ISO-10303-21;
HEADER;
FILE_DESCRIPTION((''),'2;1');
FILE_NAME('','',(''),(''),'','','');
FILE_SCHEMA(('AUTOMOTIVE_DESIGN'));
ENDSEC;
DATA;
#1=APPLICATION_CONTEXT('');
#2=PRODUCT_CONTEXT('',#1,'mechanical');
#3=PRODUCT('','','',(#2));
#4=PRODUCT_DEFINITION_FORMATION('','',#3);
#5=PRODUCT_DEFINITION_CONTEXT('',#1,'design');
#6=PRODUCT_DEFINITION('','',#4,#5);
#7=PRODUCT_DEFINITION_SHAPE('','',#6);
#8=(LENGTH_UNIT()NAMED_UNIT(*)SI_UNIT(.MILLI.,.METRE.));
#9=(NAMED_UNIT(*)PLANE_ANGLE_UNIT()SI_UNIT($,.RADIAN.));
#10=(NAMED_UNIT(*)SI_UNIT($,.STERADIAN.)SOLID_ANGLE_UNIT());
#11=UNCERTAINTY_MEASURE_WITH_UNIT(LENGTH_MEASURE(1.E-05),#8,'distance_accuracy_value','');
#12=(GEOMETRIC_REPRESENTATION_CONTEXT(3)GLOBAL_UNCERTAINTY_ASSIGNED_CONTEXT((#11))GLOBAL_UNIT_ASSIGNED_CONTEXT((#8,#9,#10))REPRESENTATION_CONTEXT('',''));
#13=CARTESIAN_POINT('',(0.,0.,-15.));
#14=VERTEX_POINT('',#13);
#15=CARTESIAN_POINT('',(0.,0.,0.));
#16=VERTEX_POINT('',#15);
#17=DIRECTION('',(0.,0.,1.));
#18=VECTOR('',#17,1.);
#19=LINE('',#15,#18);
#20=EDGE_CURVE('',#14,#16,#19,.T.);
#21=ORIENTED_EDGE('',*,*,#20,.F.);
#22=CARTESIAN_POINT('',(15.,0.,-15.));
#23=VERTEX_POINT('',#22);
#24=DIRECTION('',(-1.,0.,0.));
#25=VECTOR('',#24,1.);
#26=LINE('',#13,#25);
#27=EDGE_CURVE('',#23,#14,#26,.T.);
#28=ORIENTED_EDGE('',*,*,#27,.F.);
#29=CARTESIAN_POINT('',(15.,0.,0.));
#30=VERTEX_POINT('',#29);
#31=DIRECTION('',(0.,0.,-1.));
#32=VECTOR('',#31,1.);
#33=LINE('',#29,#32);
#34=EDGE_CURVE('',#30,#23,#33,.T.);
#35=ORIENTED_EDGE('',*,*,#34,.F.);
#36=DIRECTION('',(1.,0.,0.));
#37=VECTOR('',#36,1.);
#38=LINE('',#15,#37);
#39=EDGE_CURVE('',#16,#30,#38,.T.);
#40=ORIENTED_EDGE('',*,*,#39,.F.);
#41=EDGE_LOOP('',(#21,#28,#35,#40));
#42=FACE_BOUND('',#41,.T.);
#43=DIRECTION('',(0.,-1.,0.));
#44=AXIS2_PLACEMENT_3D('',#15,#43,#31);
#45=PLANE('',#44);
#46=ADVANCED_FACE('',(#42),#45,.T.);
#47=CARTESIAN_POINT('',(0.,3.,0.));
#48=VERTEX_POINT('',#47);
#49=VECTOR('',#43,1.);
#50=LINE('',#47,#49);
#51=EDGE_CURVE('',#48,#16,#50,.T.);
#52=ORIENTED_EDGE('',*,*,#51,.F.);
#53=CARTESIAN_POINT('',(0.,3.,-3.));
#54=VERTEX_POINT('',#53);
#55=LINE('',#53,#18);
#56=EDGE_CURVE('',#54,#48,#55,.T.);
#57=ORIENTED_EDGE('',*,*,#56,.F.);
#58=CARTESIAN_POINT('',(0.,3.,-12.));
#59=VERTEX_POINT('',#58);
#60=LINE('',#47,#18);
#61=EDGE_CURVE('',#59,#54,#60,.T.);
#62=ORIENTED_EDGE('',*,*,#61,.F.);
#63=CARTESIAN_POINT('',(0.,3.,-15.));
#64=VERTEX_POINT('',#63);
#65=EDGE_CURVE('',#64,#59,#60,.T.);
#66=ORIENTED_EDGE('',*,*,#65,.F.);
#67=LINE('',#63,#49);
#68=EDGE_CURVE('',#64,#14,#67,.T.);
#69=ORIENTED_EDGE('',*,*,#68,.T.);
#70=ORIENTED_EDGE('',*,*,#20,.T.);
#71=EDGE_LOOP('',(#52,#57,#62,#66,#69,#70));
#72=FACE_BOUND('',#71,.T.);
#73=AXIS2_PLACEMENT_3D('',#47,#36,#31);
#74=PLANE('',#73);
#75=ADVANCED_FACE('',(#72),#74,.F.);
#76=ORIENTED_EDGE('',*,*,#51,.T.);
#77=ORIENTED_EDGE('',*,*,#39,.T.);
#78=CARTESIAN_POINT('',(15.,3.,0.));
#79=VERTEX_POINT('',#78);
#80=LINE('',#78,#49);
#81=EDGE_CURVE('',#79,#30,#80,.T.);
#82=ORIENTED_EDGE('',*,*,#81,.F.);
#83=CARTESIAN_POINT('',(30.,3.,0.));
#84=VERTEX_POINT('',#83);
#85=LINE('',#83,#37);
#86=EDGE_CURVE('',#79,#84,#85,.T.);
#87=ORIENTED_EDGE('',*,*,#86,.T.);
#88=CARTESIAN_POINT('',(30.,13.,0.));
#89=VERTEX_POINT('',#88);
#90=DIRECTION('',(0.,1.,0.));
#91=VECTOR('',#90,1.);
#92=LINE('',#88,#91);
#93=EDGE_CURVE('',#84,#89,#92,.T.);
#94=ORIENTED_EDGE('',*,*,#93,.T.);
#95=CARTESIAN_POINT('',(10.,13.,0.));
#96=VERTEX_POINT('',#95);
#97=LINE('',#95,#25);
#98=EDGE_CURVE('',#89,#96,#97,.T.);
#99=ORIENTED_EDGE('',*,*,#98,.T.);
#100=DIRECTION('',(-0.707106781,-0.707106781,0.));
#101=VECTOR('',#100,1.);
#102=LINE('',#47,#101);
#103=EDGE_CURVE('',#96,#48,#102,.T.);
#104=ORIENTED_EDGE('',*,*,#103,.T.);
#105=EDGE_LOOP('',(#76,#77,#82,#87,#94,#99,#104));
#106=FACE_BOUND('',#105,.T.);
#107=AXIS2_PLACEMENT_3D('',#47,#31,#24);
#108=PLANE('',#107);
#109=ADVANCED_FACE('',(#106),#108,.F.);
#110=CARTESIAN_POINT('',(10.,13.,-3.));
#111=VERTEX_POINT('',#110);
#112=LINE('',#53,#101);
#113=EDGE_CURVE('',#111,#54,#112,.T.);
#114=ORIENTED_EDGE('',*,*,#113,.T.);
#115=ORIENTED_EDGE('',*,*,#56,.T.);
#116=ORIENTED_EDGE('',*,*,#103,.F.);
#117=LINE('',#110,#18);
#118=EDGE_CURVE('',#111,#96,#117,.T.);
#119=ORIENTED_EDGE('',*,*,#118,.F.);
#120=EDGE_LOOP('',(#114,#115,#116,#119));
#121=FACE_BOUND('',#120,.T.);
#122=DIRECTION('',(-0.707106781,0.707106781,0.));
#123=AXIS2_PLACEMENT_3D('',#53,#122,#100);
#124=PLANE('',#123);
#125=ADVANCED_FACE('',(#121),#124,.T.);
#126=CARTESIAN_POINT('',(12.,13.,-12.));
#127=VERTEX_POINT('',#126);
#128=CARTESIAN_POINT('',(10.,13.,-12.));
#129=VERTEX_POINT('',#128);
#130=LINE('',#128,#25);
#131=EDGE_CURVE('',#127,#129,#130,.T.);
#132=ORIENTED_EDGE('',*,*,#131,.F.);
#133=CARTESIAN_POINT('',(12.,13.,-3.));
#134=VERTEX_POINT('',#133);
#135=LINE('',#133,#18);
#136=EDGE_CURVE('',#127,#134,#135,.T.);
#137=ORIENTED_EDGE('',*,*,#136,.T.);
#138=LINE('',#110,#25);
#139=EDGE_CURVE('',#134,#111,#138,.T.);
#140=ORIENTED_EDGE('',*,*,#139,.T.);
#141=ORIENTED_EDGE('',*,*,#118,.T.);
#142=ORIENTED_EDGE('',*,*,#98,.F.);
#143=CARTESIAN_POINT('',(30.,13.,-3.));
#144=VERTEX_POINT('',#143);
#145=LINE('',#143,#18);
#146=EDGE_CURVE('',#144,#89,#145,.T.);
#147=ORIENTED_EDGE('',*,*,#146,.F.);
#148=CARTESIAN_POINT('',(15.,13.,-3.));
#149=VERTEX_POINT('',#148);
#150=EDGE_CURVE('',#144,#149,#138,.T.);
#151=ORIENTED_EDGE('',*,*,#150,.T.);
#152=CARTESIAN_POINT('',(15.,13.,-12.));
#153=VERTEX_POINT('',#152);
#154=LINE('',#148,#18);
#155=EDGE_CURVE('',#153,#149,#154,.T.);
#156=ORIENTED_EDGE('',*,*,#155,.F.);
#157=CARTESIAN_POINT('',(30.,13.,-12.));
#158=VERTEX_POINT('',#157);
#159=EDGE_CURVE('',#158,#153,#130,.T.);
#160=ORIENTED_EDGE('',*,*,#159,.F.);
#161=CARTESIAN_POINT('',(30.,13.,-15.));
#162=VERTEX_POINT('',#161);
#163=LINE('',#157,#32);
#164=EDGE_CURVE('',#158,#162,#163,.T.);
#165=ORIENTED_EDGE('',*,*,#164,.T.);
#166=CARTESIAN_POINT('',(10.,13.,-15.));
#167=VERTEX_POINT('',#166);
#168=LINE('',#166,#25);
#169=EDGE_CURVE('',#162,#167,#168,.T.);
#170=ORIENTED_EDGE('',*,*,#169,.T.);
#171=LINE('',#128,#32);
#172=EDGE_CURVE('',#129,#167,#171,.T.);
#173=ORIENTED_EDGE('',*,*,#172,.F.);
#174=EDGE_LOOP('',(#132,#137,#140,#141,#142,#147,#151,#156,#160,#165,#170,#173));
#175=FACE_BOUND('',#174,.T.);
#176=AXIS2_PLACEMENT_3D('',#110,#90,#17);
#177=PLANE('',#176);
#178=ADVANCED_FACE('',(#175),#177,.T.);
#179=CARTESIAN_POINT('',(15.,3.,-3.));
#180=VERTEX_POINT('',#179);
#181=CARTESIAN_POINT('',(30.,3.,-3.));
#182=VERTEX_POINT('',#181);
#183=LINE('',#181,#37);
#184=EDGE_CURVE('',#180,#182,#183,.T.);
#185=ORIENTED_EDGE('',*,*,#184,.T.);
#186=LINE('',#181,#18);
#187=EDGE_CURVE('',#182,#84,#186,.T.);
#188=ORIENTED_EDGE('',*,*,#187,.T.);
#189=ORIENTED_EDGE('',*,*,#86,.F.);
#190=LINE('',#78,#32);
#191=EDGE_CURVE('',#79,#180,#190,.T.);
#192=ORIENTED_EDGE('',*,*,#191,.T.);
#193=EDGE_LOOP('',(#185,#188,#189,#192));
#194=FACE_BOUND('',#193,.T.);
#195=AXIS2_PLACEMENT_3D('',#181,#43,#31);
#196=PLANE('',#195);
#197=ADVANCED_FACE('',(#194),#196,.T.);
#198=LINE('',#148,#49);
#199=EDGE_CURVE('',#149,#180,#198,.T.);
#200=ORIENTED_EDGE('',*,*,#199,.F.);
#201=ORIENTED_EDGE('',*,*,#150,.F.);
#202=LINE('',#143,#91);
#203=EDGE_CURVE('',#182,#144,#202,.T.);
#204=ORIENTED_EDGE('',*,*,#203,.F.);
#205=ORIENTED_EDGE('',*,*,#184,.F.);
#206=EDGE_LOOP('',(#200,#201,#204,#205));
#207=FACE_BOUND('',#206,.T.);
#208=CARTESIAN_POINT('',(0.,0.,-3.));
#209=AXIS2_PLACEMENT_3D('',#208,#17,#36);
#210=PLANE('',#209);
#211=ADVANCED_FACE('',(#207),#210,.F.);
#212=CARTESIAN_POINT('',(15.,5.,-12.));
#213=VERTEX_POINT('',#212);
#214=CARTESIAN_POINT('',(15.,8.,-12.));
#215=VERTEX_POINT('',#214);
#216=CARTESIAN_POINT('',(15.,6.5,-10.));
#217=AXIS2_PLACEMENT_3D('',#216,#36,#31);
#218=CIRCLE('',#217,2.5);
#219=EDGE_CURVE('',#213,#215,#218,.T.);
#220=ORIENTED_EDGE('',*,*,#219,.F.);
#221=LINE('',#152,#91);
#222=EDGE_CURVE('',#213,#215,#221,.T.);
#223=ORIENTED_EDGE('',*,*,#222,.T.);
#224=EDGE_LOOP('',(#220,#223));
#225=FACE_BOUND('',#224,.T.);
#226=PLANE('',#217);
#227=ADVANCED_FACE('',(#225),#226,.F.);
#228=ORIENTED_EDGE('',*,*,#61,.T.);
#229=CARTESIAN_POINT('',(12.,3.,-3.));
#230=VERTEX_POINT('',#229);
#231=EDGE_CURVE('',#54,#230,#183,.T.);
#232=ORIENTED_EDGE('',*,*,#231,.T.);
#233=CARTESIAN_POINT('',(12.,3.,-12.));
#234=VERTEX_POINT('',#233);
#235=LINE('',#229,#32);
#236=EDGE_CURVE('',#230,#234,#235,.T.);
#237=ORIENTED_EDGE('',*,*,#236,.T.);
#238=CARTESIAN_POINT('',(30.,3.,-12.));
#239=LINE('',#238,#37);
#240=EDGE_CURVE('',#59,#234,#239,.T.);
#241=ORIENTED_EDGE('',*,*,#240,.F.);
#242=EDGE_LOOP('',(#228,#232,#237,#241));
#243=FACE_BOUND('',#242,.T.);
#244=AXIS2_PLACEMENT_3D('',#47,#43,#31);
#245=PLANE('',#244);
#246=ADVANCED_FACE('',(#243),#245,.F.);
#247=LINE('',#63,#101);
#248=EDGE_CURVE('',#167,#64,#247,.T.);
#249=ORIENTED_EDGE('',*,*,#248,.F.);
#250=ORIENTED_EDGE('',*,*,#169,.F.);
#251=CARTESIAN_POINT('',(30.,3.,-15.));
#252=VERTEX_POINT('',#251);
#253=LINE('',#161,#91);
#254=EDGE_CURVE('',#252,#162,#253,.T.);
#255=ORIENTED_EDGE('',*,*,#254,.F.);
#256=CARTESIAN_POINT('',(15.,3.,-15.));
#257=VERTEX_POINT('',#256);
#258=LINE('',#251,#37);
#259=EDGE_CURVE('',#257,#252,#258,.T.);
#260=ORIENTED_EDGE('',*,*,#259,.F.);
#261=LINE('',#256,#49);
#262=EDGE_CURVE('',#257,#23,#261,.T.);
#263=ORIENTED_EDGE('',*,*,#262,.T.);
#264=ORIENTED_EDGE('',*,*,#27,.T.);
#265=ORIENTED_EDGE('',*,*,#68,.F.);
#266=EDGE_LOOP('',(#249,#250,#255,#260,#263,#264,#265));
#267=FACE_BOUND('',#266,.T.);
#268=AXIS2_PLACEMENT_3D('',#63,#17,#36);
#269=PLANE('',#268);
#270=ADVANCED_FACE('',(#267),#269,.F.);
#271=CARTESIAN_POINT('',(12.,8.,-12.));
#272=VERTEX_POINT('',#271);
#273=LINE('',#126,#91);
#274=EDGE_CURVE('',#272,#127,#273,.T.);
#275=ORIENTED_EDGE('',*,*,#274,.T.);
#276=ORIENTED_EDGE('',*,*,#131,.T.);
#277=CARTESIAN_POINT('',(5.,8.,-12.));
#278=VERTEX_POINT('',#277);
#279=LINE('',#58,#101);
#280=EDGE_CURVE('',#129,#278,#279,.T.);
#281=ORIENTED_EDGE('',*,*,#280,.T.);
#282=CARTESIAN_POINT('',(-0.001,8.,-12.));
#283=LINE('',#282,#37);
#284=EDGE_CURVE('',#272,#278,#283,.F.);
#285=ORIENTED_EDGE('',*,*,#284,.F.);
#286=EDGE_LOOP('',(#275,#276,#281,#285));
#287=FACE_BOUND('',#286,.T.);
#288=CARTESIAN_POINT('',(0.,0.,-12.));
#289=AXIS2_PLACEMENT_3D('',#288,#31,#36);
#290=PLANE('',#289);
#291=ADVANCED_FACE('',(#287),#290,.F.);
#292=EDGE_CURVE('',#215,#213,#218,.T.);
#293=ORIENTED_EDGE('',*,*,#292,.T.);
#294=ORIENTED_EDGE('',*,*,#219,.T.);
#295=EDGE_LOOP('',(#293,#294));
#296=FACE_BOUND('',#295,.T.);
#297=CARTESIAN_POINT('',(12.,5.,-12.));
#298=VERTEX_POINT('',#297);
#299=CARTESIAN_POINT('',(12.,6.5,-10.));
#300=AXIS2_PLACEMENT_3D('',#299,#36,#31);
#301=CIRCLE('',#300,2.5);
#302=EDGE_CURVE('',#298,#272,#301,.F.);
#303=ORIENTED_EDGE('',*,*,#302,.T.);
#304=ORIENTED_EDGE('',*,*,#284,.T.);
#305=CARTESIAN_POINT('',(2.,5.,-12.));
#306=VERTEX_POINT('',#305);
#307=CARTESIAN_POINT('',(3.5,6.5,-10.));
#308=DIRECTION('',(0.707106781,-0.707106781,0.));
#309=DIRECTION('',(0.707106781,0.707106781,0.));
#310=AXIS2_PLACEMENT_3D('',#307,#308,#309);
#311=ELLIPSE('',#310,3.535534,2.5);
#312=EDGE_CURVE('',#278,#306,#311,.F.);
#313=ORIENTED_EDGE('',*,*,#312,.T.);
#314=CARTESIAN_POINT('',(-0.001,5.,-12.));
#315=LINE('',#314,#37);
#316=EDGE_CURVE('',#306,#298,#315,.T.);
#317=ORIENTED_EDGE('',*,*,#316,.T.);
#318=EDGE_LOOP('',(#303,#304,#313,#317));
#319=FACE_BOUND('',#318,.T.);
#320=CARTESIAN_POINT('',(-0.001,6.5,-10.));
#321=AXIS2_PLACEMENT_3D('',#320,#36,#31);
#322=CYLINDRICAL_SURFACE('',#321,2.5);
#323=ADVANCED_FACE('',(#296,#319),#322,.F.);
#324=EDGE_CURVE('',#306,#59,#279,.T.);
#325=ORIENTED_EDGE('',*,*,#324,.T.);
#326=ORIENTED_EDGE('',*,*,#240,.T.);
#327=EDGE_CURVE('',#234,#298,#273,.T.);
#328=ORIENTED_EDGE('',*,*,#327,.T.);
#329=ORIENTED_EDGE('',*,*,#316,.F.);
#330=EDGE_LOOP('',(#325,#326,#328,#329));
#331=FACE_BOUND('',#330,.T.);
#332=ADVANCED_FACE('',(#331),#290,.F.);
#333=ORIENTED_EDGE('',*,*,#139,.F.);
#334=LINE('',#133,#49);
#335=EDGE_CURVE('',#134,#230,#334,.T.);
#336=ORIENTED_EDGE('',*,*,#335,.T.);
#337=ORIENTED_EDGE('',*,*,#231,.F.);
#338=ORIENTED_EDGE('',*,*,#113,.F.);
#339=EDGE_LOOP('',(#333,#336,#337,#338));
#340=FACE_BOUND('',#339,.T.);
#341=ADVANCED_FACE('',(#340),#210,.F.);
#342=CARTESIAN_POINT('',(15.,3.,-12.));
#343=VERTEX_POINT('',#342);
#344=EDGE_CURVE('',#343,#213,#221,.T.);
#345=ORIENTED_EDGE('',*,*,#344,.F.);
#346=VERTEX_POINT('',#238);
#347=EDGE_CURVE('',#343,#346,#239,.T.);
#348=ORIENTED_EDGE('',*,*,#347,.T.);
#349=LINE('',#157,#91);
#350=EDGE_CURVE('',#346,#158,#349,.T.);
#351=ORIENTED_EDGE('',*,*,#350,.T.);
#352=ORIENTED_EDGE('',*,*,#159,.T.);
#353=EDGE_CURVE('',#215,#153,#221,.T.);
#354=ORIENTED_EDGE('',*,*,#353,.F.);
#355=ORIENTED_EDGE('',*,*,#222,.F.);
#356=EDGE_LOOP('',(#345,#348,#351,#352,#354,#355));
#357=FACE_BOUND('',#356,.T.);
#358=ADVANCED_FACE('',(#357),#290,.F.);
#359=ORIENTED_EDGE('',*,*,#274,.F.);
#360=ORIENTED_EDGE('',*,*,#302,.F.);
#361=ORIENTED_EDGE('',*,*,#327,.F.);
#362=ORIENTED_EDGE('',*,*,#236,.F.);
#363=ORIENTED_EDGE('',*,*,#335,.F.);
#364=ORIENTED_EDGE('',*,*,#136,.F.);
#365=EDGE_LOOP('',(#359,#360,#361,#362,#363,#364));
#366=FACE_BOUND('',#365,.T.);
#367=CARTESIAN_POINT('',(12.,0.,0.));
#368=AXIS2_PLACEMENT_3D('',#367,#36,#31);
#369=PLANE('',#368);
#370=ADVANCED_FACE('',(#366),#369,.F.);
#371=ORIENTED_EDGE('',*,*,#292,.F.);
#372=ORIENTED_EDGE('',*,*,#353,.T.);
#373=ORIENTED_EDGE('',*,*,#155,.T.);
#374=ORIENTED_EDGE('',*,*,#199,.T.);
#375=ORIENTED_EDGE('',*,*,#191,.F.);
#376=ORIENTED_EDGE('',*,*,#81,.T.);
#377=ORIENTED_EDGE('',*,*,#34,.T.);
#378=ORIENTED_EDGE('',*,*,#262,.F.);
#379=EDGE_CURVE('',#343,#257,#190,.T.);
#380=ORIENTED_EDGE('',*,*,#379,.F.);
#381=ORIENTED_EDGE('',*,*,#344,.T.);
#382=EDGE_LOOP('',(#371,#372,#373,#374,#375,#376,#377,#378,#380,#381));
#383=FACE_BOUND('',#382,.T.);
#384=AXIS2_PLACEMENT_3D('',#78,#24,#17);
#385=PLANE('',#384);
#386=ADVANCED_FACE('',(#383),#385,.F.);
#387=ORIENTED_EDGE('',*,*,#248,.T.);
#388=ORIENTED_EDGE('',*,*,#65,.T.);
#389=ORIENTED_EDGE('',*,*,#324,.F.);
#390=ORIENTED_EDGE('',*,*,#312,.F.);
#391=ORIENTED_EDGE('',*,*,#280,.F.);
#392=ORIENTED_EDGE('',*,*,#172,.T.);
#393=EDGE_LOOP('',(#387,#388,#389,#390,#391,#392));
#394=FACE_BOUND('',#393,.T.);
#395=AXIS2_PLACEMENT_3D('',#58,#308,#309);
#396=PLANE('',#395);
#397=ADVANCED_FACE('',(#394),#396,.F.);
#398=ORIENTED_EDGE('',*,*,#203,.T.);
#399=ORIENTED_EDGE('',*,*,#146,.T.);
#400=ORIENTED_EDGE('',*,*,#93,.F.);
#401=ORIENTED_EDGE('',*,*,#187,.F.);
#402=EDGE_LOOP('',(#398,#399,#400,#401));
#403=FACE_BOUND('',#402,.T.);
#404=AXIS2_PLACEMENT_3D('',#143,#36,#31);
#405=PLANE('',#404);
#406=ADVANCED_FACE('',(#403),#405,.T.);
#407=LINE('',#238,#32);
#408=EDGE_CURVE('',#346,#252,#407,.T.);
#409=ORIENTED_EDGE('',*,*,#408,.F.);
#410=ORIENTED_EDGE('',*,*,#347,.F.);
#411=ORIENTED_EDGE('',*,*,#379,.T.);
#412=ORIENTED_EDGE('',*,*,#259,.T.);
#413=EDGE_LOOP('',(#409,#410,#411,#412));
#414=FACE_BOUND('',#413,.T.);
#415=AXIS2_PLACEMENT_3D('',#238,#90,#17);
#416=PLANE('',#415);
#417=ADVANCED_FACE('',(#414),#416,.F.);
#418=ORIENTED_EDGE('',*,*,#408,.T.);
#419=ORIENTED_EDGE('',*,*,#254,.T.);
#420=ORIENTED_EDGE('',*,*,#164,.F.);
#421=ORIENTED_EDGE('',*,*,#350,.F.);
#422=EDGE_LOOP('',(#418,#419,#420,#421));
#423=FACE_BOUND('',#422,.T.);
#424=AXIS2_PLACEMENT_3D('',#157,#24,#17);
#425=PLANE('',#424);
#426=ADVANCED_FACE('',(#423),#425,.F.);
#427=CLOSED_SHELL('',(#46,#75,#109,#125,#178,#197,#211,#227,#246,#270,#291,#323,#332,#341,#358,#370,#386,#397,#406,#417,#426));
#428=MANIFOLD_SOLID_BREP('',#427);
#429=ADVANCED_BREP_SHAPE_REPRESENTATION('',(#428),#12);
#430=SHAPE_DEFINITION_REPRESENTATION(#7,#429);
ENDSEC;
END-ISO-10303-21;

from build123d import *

# Parameters (mm, degrees)
SKETCH2_W           = 15
SKETCH2_H           = 15
BOSS_EXTRUDE1_DEPTH = 3
BOSS_EXTRUDE2_DEPTH = 3
SKETCH5_W           = 9
SKETCH5_H           = 10
BOSS_EXTRUDE4_DEPTH = 3
CUT_EXTRUDE1_REACH  = 26.88
SKETCH6_R           = 2.5


with BuildPart() as part:
    # Sketch2 → Boss-Extrude1 (new body)
    with BuildSketch(Plane(origin=(0, 0, 0), x_dir=(1, 0, 0), z_dir=(0, 1, 0))):
        with Locations((7.5, 7.5)):
            Rectangle(SKETCH2_W, SKETCH2_H)
    extrude(amount=BOSS_EXTRUDE1_DEPTH)

    # Sketch3 → Boss-Extrude2 (add)
    with BuildSketch(Plane.XY):
        Polygon((0, 3), (10, 13), (30, 13), (30, 3), align=None)
    boss_extrude2 = extrude(amount=-BOSS_EXTRUDE2_DEPTH)

    # Mirror1: Boss-Extrude2 across plane
    add(boss_extrude2.mirror(Plane.XY.offset(-7.5)))

    # Sketch5 → Boss-Extrude4 (add)
    with BuildSketch(Plane(origin=(15, 0, 0), x_dir=(0, 0, -1), z_dir=(1, 0, 0))):
        with Locations((7.5, 8)):
            Rectangle(SKETCH5_W, SKETCH5_H)
    extrude(amount=-BOSS_EXTRUDE4_DEPTH)

    # Sketch6 → Cut-Extrude1 (cut, up to next)
    with BuildSketch(Plane(origin=(15, 0, 0), x_dir=(0, 0, -1), z_dir=(1, 0, 0)), mode=Mode.PRIVATE) as cut_extrude1_sk1:
        with Locations(Location((10, 6.5, 0), (0, 0, 323.130102354))):
            Circle(SKETCH6_R)
    cut_extrude1_tool1 = extrude(cut_extrude1_sk1.sketch, amount=-CUT_EXTRUDE1_REACH, mode=Mode.PRIVATE) & part.part
    add(cut_extrude1_tool1.solids().sort_by_distance((15, 6.5, -10))[0], mode=Mode.SUBTRACT)


solid = part.part
